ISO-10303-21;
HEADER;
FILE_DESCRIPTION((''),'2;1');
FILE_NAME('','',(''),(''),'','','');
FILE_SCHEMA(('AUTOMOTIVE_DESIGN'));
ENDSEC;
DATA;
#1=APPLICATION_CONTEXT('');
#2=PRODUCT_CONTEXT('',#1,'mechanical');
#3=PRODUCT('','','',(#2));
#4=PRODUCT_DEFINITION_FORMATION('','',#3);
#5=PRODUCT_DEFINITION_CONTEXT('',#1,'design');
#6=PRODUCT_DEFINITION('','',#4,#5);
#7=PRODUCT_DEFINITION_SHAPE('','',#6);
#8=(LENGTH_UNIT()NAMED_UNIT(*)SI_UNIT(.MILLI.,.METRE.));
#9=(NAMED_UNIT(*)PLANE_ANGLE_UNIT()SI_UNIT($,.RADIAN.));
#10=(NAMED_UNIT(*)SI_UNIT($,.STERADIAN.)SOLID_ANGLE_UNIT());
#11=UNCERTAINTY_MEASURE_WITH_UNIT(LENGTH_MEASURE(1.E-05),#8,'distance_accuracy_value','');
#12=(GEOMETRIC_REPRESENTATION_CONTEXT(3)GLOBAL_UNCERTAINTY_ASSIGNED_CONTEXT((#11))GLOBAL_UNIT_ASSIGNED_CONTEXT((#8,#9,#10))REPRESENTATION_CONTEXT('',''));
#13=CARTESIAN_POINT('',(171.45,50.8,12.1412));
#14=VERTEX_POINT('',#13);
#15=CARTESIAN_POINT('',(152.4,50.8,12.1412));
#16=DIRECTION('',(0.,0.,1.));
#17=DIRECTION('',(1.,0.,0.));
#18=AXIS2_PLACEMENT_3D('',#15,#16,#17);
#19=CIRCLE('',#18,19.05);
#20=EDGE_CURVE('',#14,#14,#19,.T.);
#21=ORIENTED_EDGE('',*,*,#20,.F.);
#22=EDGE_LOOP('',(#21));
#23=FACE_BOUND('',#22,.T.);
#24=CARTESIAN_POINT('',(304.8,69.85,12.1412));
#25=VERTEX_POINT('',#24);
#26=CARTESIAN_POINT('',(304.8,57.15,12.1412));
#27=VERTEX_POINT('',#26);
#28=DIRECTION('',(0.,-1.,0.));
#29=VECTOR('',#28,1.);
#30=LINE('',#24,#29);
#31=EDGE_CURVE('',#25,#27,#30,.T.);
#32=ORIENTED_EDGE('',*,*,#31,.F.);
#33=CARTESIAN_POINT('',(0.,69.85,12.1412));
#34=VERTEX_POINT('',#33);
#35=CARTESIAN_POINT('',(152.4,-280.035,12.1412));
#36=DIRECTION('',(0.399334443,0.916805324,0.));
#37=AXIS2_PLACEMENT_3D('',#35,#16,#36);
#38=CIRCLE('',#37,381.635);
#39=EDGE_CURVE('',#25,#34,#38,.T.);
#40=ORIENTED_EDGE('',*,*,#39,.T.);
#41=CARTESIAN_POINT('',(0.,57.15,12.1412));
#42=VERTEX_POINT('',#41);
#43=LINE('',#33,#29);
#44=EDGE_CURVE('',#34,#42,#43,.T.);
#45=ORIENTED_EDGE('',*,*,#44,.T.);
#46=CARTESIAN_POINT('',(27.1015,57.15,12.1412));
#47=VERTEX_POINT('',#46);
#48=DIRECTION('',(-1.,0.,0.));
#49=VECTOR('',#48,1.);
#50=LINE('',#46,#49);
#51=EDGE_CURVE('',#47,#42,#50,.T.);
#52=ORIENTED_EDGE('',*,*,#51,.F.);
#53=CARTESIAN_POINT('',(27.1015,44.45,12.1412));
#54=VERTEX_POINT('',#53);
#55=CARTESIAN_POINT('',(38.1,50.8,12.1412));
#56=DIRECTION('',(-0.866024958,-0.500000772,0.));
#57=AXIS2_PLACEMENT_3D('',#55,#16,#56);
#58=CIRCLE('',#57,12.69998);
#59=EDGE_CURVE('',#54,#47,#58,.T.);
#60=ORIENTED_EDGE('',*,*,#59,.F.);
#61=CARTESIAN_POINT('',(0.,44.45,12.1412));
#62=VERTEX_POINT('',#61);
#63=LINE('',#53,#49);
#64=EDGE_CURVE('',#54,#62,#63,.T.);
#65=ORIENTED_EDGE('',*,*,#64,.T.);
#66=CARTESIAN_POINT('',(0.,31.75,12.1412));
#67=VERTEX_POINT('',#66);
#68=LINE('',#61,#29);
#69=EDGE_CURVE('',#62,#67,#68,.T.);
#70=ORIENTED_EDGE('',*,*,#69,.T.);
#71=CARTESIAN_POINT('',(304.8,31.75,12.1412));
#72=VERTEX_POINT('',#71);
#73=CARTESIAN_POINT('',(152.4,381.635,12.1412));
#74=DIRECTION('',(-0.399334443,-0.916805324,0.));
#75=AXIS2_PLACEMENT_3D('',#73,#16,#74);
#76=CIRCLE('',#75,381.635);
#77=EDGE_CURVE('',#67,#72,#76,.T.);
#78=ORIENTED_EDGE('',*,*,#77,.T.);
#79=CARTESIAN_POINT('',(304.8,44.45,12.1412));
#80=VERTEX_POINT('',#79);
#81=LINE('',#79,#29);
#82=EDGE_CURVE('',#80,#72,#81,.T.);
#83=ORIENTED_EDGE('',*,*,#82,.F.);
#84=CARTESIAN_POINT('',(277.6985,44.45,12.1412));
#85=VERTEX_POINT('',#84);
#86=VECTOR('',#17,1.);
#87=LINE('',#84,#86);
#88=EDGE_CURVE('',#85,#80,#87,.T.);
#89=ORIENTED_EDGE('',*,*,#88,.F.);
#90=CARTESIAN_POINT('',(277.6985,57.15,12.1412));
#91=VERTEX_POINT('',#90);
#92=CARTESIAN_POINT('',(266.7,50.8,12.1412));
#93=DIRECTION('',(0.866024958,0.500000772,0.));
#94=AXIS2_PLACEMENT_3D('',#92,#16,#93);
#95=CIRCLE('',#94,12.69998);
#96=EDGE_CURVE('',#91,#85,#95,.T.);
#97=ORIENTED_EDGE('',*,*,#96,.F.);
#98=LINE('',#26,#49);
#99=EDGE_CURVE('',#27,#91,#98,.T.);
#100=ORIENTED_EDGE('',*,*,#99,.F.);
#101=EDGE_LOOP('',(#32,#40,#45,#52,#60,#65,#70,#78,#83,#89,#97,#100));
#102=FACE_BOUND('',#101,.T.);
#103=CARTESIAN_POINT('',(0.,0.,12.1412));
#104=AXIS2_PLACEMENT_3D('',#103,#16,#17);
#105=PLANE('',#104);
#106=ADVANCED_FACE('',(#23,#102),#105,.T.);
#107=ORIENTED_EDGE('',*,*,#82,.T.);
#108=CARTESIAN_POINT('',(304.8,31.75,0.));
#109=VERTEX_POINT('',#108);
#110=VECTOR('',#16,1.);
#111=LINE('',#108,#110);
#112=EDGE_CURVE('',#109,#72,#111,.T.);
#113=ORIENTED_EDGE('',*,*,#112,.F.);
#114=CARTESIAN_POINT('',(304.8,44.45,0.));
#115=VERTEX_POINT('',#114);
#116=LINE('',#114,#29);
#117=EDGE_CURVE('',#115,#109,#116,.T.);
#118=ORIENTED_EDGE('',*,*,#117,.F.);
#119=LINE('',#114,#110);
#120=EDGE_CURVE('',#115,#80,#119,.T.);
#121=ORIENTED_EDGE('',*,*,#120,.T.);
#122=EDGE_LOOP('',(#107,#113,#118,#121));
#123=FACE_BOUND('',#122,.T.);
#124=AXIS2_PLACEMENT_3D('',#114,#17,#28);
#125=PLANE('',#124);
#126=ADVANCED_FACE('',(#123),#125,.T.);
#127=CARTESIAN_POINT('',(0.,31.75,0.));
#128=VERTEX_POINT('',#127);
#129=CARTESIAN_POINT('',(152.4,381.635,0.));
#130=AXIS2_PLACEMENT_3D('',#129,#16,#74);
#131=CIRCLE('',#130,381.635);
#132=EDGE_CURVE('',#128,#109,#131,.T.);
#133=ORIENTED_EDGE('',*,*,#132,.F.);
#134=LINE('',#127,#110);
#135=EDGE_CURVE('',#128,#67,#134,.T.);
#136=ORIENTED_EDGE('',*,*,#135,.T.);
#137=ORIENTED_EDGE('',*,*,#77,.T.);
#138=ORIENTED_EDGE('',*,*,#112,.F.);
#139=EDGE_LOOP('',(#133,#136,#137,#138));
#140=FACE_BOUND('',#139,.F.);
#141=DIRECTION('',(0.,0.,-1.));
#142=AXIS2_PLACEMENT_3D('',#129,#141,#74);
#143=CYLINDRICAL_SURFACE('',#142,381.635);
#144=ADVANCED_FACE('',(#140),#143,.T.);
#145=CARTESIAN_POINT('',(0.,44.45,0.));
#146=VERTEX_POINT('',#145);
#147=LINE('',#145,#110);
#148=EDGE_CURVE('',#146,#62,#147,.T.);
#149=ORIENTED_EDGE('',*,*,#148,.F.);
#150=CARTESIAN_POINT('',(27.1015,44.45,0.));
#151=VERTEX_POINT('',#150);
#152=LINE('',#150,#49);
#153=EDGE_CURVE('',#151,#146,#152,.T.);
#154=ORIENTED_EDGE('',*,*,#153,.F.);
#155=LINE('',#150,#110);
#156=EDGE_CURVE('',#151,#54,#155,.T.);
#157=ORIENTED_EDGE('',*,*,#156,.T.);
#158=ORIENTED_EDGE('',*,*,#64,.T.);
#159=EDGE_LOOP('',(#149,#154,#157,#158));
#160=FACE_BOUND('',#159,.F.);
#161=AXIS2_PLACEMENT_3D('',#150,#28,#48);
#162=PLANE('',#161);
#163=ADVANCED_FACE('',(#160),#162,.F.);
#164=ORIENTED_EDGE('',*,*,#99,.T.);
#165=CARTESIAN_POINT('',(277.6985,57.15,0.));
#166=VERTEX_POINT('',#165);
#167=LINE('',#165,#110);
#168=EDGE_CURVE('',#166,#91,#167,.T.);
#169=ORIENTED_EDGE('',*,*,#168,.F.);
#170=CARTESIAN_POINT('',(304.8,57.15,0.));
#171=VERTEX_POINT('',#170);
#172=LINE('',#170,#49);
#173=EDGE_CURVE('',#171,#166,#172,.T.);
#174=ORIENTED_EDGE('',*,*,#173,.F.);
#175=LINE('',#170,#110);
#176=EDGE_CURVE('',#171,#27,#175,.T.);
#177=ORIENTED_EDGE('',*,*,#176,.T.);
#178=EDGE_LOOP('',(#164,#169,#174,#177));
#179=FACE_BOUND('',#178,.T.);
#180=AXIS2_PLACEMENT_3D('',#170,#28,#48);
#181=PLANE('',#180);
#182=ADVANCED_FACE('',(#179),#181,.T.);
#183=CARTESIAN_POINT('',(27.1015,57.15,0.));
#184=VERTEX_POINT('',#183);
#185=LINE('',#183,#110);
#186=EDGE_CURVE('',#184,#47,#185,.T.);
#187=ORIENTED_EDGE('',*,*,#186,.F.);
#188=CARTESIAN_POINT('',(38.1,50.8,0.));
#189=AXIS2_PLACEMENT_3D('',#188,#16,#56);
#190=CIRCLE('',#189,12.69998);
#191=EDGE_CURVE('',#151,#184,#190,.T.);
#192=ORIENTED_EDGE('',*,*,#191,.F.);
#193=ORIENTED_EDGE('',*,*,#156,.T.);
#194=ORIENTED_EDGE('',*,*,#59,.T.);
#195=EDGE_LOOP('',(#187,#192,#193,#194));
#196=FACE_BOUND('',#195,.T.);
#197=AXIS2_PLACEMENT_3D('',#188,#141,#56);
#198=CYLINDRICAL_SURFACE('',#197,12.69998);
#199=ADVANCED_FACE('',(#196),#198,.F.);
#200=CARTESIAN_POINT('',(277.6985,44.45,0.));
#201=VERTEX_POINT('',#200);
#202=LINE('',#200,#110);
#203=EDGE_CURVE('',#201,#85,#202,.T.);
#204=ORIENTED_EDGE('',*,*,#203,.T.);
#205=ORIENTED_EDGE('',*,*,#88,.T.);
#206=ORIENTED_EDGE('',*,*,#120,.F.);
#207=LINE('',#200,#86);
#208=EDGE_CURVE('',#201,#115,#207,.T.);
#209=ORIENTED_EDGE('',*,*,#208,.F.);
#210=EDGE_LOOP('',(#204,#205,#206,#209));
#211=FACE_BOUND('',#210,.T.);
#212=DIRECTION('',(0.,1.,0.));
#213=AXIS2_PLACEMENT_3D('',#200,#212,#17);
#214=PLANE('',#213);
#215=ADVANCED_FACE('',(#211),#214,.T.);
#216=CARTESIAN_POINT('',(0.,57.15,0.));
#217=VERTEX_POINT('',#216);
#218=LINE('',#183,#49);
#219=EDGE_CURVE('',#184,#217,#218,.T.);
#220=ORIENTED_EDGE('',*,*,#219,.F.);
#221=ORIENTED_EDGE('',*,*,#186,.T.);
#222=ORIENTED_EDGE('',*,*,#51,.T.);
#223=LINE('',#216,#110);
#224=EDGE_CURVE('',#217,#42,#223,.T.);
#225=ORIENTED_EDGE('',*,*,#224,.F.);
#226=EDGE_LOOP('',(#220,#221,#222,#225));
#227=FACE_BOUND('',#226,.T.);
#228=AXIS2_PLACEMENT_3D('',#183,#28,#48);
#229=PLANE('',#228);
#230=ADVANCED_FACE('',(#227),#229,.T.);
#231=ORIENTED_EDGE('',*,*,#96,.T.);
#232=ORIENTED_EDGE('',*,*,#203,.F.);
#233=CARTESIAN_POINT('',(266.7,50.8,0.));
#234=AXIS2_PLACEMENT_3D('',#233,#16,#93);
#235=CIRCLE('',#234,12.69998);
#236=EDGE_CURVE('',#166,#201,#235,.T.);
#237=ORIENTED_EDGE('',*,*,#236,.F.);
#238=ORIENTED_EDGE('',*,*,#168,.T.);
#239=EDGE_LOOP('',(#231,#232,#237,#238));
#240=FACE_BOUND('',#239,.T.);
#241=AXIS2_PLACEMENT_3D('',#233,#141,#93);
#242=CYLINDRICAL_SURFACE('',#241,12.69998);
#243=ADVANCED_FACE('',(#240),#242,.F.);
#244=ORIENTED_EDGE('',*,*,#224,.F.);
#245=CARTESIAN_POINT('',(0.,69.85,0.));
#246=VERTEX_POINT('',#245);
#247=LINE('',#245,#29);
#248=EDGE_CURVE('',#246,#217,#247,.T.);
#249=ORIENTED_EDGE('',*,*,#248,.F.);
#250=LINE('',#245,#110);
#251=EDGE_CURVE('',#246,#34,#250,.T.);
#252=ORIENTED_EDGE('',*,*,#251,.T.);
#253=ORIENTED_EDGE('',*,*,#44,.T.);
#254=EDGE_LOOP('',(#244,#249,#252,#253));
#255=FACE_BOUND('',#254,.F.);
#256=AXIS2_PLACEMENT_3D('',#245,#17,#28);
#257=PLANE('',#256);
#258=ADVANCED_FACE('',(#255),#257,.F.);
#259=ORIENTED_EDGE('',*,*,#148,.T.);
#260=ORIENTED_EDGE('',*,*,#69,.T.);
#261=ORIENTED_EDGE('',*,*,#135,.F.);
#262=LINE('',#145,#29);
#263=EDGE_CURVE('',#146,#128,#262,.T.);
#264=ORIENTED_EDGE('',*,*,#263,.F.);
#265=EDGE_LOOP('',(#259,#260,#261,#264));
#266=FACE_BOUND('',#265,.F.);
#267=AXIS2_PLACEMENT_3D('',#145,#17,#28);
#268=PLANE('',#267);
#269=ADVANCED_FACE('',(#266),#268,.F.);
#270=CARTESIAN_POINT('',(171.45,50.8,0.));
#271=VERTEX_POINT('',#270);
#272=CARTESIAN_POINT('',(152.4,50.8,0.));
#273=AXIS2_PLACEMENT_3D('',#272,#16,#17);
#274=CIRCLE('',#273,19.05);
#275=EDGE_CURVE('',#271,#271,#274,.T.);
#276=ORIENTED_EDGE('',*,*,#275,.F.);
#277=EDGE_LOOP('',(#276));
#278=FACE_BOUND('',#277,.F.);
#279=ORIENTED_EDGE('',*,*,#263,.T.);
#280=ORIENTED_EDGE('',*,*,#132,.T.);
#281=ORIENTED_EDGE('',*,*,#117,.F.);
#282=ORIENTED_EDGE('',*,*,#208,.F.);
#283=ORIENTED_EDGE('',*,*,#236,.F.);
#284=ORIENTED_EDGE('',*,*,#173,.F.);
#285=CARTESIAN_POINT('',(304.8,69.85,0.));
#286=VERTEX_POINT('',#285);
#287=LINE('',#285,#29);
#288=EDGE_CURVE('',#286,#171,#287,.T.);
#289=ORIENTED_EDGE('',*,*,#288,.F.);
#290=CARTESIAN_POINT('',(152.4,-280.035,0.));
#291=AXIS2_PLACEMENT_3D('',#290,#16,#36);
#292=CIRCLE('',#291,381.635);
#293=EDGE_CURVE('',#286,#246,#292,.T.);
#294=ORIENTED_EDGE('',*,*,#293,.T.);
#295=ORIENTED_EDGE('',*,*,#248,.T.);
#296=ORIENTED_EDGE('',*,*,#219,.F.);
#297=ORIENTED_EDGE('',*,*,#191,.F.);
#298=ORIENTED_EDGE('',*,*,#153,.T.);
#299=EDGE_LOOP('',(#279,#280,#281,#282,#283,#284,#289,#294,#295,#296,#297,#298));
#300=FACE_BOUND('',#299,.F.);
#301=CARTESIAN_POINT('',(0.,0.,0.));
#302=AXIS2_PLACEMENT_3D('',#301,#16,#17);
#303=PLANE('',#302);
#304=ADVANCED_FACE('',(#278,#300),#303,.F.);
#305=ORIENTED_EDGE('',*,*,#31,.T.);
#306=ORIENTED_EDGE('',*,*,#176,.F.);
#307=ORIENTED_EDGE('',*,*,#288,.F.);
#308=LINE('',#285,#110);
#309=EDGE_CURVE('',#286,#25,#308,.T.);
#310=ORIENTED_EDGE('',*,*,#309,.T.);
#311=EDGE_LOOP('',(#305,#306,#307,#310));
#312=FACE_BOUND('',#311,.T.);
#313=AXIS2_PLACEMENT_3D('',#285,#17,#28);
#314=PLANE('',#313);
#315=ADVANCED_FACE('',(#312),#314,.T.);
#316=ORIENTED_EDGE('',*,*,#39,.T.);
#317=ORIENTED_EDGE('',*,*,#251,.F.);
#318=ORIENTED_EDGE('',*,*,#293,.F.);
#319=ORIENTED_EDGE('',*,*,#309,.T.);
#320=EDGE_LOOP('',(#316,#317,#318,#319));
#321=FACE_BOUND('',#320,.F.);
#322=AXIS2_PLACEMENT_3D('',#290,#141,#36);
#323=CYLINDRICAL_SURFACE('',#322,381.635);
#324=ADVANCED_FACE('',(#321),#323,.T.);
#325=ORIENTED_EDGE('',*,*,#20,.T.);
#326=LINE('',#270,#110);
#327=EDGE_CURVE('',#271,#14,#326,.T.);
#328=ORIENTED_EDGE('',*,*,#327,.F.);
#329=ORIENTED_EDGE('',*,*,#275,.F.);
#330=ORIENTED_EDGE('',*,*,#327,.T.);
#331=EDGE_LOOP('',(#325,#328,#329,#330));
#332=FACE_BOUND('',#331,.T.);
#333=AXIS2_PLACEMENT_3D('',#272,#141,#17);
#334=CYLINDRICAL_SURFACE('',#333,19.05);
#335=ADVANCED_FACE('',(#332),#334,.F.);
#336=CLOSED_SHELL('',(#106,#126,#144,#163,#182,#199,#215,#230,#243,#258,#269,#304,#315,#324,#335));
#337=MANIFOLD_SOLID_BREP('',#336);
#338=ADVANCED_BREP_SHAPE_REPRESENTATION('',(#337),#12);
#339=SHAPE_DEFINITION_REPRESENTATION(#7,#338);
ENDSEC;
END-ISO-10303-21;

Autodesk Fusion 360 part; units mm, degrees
sketch "Sketch1" plane through (0, 0, 0) normal (0, 0, 1) x (1, 0, 0)
  line L0 (0, 0) -> (304.8, 0) construction
  line L1 (304.8, 0) -> (304.8, 101.6) construction
  line L2 (304.8, 101.6) -> (0, 101.6) construction
  line L3 (0, 101.6) -> (0, 0) construction
  circle A0 centre (152.4, 50.8) radius 19.05
  line L4 (0, 50.8) -> (304.8, 50.8) construction
  line L5 (27.1015, 57.15) -> (0, 57.15)
  line L6 (27.1015, 44.45) -> (0, 44.45)
  line L7 (304.8, 57.15) -> (277.6985, 57.15)
  line L8 (277.6985, 44.45) -> (304.8, 44.45)
  line L9 (0, 69.85) -> (0, 57.15)
  line L10 (0, 44.45) -> (0, 31.75)
  line L11 (304.8, 69.85) -> (304.8, 57.15)
  line L12 (304.8, 44.45) -> (304.8, 31.75)
  arc A1 (27.1015, 44.45) -> (27.1015, 57.15) centre (38.1, 50.8) ccw
  arc A2 (277.6985, 57.15) -> (277.6985, 44.45) centre (266.7, 50.8) ccw
  arc A3 (304.8, 69.85) -> (0, 69.85) centre (152.4, -280.035) ccw
  line L13 (0, 44.45) -> (304.8, 44.45) construction
  line L14 (0, 57.15) -> (304.8, 57.15) construction
  arc A4 (0, 31.75) -> (304.8, 31.75) centre (152.4, 381.635) ccw
  dimension "d1" = 304.8
  dimension "d2" = 101.6
  dimension "d3" = 38.1
  dimension "d5" = 152.4
  dimension "d6" = 25.4
  dimension "d7" = 25.4
  dimension "d8" = 38.1
  dimension "d9" = 38.1
  dimension "d12" = 6.35
  dimension "d13" = 6.35
  dimension "d14" = 12.7
  dimension "d18" = 12.7
extrude "Extrude1" add sketch "Sketch1" along normal blind 12.1412
sketch "Sketch2" plane through (0, 0, 12.1412) normal (0, 0, 1) x (-1, 0, 0)
  circle A0 centre (-152.4, -50.8) radius 19.05
  line L0 (-277.6985, -57.15) -> (-304.8, -57.15)
  line L1 (-304.8, -57.15) -> (-304.8, -69.85)
  arc A1 (-304.8, -69.85) -> (0, -69.85) centre (-152.4, 280.035) ccw
  line L2 (0, -69.85) -> (0, -57.15)
  line L3 (0, -57.15) -> (-27.1015, -57.15)
  line L4 (-27.1015, -44.45) -> (0, -44.45)
  line L5 (0, -44.45) -> (0, -31.75)
  arc A2 (0, -31.75) -> (-304.8, -31.75) centre (-152.4, -381.635) ccw
  line L6 (-304.8, -31.75) -> (-304.8, -44.45)
  line L7 (-304.8, -44.45) -> (-277.6985, -44.45)
  line L8 (-89.0222, -74.9883) -> (-89.0222, -26.3401) construction
  line L9 (-89.0222, -26.3401) -> (-108.0722, -26.3401) construction
  line L10 (-108.0722, -26.3401) -> (-108.0722, -74.9883) construction
  line L11 (-108.0722, -74.9883) -> (-89.0222, -74.9883) construction
  line L12 (-152.4, -101.6) -> (-152.4, 0) construction
  arc A3 (-277.6985, -57.15) -> (-277.6985, -44.45) centre (-266.7, -50.8) ccw
  arc A4 (-27.1015, -44.45) -> (-27.1015, -57.15) centre (-38.1, -50.8) ccw
